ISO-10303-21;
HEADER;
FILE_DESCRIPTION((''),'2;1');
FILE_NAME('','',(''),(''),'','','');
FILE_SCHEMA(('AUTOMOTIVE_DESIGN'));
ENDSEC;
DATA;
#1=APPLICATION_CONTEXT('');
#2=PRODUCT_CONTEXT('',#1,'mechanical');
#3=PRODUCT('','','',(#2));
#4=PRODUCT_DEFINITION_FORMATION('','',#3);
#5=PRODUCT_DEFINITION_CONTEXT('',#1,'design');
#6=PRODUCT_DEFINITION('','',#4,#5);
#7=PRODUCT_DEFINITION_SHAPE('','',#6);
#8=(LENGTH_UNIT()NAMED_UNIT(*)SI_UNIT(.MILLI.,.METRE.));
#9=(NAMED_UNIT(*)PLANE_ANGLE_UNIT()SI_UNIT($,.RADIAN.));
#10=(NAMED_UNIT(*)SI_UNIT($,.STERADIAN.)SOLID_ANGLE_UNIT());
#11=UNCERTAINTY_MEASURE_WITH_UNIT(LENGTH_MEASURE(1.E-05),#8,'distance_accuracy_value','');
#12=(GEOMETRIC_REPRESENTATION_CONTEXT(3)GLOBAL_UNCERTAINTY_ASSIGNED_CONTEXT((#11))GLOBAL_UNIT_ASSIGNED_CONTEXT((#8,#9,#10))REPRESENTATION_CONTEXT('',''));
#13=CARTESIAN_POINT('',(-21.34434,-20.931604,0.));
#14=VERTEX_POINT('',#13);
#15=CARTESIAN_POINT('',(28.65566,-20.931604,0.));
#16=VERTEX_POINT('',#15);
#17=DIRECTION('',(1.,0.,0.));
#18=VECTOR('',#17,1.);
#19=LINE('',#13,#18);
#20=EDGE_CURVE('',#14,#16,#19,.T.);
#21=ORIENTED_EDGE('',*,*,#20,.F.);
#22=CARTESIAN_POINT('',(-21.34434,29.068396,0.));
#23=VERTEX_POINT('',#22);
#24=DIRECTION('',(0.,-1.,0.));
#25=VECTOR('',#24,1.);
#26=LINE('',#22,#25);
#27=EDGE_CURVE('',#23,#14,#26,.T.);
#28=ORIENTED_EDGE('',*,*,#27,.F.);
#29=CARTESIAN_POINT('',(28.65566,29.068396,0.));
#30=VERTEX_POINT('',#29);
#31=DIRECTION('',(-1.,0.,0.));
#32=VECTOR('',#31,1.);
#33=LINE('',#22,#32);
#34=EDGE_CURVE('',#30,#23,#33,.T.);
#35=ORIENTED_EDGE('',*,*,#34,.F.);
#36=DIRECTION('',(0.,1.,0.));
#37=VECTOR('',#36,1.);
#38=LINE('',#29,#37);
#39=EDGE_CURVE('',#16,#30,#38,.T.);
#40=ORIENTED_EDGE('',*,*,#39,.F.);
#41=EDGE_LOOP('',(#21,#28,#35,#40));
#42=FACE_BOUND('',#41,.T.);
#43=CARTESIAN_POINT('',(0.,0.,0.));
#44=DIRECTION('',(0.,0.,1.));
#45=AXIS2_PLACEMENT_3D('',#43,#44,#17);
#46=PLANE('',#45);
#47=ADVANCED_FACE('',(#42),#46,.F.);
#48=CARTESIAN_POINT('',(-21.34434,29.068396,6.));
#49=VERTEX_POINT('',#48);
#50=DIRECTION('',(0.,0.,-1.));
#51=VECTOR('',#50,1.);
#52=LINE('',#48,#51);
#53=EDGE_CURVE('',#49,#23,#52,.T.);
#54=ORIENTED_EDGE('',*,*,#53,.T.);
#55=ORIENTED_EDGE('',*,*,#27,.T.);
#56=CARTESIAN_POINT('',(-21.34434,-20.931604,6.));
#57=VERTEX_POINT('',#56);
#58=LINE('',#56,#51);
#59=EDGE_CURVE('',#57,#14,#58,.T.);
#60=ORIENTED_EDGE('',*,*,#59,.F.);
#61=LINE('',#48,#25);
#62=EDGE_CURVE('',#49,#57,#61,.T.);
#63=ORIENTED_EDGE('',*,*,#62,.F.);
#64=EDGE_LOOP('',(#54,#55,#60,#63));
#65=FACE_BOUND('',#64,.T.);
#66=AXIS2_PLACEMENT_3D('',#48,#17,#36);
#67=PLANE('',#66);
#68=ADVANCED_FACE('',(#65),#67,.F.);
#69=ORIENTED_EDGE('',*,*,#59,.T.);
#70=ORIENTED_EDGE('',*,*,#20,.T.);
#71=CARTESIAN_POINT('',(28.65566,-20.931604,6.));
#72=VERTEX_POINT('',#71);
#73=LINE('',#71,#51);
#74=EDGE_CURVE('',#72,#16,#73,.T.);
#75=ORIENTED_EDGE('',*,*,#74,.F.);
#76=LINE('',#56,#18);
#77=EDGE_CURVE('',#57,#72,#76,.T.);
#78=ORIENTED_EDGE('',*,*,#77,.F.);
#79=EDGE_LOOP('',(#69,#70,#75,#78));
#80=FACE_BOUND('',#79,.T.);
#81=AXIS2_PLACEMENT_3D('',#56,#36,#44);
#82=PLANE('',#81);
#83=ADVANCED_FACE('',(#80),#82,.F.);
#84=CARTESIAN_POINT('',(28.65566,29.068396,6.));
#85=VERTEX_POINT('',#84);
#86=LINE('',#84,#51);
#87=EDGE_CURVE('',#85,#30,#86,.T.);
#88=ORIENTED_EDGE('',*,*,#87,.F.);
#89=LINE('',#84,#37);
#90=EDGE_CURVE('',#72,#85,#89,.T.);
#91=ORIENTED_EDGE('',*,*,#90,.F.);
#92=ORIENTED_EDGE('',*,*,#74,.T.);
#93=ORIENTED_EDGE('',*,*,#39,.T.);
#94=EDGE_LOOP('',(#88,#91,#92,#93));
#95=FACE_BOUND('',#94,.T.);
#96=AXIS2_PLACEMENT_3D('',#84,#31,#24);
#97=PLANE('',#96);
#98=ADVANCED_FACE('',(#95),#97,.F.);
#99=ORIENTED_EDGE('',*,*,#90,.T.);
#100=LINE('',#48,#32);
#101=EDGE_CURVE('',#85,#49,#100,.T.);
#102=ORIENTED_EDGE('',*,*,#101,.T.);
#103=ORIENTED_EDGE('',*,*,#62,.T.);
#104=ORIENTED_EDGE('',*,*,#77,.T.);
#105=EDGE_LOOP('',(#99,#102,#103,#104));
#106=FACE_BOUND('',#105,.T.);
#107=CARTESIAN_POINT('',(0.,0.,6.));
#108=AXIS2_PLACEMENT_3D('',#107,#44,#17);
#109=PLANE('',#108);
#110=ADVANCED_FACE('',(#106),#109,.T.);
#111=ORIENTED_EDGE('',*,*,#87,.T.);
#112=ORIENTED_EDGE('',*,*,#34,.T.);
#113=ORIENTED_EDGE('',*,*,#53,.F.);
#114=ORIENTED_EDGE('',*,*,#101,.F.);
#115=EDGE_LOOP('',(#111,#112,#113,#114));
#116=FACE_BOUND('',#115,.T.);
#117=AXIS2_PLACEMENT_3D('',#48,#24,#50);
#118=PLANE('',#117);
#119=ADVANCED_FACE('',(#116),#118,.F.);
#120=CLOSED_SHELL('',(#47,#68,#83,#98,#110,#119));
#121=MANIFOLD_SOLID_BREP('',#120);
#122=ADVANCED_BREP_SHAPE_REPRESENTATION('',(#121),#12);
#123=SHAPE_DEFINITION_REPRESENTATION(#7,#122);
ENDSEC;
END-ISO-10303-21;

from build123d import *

# Parameters (mm, degrees)
SKETCH1_W           = 50
SKETCH1_H           = 50
BOSS_EXTRUDE1_DEPTH = 6


with BuildPart() as part:
    # Sketch1 → Boss-Extrude1 (new body)
    with BuildSketch(Plane.XY):
        with Locations((3.655660377, 4.068396226)):
            Rectangle(SKETCH1_W, SKETCH1_H)
    extrude(amount=BOSS_EXTRUDE1_DEPTH)


solid = part.part
